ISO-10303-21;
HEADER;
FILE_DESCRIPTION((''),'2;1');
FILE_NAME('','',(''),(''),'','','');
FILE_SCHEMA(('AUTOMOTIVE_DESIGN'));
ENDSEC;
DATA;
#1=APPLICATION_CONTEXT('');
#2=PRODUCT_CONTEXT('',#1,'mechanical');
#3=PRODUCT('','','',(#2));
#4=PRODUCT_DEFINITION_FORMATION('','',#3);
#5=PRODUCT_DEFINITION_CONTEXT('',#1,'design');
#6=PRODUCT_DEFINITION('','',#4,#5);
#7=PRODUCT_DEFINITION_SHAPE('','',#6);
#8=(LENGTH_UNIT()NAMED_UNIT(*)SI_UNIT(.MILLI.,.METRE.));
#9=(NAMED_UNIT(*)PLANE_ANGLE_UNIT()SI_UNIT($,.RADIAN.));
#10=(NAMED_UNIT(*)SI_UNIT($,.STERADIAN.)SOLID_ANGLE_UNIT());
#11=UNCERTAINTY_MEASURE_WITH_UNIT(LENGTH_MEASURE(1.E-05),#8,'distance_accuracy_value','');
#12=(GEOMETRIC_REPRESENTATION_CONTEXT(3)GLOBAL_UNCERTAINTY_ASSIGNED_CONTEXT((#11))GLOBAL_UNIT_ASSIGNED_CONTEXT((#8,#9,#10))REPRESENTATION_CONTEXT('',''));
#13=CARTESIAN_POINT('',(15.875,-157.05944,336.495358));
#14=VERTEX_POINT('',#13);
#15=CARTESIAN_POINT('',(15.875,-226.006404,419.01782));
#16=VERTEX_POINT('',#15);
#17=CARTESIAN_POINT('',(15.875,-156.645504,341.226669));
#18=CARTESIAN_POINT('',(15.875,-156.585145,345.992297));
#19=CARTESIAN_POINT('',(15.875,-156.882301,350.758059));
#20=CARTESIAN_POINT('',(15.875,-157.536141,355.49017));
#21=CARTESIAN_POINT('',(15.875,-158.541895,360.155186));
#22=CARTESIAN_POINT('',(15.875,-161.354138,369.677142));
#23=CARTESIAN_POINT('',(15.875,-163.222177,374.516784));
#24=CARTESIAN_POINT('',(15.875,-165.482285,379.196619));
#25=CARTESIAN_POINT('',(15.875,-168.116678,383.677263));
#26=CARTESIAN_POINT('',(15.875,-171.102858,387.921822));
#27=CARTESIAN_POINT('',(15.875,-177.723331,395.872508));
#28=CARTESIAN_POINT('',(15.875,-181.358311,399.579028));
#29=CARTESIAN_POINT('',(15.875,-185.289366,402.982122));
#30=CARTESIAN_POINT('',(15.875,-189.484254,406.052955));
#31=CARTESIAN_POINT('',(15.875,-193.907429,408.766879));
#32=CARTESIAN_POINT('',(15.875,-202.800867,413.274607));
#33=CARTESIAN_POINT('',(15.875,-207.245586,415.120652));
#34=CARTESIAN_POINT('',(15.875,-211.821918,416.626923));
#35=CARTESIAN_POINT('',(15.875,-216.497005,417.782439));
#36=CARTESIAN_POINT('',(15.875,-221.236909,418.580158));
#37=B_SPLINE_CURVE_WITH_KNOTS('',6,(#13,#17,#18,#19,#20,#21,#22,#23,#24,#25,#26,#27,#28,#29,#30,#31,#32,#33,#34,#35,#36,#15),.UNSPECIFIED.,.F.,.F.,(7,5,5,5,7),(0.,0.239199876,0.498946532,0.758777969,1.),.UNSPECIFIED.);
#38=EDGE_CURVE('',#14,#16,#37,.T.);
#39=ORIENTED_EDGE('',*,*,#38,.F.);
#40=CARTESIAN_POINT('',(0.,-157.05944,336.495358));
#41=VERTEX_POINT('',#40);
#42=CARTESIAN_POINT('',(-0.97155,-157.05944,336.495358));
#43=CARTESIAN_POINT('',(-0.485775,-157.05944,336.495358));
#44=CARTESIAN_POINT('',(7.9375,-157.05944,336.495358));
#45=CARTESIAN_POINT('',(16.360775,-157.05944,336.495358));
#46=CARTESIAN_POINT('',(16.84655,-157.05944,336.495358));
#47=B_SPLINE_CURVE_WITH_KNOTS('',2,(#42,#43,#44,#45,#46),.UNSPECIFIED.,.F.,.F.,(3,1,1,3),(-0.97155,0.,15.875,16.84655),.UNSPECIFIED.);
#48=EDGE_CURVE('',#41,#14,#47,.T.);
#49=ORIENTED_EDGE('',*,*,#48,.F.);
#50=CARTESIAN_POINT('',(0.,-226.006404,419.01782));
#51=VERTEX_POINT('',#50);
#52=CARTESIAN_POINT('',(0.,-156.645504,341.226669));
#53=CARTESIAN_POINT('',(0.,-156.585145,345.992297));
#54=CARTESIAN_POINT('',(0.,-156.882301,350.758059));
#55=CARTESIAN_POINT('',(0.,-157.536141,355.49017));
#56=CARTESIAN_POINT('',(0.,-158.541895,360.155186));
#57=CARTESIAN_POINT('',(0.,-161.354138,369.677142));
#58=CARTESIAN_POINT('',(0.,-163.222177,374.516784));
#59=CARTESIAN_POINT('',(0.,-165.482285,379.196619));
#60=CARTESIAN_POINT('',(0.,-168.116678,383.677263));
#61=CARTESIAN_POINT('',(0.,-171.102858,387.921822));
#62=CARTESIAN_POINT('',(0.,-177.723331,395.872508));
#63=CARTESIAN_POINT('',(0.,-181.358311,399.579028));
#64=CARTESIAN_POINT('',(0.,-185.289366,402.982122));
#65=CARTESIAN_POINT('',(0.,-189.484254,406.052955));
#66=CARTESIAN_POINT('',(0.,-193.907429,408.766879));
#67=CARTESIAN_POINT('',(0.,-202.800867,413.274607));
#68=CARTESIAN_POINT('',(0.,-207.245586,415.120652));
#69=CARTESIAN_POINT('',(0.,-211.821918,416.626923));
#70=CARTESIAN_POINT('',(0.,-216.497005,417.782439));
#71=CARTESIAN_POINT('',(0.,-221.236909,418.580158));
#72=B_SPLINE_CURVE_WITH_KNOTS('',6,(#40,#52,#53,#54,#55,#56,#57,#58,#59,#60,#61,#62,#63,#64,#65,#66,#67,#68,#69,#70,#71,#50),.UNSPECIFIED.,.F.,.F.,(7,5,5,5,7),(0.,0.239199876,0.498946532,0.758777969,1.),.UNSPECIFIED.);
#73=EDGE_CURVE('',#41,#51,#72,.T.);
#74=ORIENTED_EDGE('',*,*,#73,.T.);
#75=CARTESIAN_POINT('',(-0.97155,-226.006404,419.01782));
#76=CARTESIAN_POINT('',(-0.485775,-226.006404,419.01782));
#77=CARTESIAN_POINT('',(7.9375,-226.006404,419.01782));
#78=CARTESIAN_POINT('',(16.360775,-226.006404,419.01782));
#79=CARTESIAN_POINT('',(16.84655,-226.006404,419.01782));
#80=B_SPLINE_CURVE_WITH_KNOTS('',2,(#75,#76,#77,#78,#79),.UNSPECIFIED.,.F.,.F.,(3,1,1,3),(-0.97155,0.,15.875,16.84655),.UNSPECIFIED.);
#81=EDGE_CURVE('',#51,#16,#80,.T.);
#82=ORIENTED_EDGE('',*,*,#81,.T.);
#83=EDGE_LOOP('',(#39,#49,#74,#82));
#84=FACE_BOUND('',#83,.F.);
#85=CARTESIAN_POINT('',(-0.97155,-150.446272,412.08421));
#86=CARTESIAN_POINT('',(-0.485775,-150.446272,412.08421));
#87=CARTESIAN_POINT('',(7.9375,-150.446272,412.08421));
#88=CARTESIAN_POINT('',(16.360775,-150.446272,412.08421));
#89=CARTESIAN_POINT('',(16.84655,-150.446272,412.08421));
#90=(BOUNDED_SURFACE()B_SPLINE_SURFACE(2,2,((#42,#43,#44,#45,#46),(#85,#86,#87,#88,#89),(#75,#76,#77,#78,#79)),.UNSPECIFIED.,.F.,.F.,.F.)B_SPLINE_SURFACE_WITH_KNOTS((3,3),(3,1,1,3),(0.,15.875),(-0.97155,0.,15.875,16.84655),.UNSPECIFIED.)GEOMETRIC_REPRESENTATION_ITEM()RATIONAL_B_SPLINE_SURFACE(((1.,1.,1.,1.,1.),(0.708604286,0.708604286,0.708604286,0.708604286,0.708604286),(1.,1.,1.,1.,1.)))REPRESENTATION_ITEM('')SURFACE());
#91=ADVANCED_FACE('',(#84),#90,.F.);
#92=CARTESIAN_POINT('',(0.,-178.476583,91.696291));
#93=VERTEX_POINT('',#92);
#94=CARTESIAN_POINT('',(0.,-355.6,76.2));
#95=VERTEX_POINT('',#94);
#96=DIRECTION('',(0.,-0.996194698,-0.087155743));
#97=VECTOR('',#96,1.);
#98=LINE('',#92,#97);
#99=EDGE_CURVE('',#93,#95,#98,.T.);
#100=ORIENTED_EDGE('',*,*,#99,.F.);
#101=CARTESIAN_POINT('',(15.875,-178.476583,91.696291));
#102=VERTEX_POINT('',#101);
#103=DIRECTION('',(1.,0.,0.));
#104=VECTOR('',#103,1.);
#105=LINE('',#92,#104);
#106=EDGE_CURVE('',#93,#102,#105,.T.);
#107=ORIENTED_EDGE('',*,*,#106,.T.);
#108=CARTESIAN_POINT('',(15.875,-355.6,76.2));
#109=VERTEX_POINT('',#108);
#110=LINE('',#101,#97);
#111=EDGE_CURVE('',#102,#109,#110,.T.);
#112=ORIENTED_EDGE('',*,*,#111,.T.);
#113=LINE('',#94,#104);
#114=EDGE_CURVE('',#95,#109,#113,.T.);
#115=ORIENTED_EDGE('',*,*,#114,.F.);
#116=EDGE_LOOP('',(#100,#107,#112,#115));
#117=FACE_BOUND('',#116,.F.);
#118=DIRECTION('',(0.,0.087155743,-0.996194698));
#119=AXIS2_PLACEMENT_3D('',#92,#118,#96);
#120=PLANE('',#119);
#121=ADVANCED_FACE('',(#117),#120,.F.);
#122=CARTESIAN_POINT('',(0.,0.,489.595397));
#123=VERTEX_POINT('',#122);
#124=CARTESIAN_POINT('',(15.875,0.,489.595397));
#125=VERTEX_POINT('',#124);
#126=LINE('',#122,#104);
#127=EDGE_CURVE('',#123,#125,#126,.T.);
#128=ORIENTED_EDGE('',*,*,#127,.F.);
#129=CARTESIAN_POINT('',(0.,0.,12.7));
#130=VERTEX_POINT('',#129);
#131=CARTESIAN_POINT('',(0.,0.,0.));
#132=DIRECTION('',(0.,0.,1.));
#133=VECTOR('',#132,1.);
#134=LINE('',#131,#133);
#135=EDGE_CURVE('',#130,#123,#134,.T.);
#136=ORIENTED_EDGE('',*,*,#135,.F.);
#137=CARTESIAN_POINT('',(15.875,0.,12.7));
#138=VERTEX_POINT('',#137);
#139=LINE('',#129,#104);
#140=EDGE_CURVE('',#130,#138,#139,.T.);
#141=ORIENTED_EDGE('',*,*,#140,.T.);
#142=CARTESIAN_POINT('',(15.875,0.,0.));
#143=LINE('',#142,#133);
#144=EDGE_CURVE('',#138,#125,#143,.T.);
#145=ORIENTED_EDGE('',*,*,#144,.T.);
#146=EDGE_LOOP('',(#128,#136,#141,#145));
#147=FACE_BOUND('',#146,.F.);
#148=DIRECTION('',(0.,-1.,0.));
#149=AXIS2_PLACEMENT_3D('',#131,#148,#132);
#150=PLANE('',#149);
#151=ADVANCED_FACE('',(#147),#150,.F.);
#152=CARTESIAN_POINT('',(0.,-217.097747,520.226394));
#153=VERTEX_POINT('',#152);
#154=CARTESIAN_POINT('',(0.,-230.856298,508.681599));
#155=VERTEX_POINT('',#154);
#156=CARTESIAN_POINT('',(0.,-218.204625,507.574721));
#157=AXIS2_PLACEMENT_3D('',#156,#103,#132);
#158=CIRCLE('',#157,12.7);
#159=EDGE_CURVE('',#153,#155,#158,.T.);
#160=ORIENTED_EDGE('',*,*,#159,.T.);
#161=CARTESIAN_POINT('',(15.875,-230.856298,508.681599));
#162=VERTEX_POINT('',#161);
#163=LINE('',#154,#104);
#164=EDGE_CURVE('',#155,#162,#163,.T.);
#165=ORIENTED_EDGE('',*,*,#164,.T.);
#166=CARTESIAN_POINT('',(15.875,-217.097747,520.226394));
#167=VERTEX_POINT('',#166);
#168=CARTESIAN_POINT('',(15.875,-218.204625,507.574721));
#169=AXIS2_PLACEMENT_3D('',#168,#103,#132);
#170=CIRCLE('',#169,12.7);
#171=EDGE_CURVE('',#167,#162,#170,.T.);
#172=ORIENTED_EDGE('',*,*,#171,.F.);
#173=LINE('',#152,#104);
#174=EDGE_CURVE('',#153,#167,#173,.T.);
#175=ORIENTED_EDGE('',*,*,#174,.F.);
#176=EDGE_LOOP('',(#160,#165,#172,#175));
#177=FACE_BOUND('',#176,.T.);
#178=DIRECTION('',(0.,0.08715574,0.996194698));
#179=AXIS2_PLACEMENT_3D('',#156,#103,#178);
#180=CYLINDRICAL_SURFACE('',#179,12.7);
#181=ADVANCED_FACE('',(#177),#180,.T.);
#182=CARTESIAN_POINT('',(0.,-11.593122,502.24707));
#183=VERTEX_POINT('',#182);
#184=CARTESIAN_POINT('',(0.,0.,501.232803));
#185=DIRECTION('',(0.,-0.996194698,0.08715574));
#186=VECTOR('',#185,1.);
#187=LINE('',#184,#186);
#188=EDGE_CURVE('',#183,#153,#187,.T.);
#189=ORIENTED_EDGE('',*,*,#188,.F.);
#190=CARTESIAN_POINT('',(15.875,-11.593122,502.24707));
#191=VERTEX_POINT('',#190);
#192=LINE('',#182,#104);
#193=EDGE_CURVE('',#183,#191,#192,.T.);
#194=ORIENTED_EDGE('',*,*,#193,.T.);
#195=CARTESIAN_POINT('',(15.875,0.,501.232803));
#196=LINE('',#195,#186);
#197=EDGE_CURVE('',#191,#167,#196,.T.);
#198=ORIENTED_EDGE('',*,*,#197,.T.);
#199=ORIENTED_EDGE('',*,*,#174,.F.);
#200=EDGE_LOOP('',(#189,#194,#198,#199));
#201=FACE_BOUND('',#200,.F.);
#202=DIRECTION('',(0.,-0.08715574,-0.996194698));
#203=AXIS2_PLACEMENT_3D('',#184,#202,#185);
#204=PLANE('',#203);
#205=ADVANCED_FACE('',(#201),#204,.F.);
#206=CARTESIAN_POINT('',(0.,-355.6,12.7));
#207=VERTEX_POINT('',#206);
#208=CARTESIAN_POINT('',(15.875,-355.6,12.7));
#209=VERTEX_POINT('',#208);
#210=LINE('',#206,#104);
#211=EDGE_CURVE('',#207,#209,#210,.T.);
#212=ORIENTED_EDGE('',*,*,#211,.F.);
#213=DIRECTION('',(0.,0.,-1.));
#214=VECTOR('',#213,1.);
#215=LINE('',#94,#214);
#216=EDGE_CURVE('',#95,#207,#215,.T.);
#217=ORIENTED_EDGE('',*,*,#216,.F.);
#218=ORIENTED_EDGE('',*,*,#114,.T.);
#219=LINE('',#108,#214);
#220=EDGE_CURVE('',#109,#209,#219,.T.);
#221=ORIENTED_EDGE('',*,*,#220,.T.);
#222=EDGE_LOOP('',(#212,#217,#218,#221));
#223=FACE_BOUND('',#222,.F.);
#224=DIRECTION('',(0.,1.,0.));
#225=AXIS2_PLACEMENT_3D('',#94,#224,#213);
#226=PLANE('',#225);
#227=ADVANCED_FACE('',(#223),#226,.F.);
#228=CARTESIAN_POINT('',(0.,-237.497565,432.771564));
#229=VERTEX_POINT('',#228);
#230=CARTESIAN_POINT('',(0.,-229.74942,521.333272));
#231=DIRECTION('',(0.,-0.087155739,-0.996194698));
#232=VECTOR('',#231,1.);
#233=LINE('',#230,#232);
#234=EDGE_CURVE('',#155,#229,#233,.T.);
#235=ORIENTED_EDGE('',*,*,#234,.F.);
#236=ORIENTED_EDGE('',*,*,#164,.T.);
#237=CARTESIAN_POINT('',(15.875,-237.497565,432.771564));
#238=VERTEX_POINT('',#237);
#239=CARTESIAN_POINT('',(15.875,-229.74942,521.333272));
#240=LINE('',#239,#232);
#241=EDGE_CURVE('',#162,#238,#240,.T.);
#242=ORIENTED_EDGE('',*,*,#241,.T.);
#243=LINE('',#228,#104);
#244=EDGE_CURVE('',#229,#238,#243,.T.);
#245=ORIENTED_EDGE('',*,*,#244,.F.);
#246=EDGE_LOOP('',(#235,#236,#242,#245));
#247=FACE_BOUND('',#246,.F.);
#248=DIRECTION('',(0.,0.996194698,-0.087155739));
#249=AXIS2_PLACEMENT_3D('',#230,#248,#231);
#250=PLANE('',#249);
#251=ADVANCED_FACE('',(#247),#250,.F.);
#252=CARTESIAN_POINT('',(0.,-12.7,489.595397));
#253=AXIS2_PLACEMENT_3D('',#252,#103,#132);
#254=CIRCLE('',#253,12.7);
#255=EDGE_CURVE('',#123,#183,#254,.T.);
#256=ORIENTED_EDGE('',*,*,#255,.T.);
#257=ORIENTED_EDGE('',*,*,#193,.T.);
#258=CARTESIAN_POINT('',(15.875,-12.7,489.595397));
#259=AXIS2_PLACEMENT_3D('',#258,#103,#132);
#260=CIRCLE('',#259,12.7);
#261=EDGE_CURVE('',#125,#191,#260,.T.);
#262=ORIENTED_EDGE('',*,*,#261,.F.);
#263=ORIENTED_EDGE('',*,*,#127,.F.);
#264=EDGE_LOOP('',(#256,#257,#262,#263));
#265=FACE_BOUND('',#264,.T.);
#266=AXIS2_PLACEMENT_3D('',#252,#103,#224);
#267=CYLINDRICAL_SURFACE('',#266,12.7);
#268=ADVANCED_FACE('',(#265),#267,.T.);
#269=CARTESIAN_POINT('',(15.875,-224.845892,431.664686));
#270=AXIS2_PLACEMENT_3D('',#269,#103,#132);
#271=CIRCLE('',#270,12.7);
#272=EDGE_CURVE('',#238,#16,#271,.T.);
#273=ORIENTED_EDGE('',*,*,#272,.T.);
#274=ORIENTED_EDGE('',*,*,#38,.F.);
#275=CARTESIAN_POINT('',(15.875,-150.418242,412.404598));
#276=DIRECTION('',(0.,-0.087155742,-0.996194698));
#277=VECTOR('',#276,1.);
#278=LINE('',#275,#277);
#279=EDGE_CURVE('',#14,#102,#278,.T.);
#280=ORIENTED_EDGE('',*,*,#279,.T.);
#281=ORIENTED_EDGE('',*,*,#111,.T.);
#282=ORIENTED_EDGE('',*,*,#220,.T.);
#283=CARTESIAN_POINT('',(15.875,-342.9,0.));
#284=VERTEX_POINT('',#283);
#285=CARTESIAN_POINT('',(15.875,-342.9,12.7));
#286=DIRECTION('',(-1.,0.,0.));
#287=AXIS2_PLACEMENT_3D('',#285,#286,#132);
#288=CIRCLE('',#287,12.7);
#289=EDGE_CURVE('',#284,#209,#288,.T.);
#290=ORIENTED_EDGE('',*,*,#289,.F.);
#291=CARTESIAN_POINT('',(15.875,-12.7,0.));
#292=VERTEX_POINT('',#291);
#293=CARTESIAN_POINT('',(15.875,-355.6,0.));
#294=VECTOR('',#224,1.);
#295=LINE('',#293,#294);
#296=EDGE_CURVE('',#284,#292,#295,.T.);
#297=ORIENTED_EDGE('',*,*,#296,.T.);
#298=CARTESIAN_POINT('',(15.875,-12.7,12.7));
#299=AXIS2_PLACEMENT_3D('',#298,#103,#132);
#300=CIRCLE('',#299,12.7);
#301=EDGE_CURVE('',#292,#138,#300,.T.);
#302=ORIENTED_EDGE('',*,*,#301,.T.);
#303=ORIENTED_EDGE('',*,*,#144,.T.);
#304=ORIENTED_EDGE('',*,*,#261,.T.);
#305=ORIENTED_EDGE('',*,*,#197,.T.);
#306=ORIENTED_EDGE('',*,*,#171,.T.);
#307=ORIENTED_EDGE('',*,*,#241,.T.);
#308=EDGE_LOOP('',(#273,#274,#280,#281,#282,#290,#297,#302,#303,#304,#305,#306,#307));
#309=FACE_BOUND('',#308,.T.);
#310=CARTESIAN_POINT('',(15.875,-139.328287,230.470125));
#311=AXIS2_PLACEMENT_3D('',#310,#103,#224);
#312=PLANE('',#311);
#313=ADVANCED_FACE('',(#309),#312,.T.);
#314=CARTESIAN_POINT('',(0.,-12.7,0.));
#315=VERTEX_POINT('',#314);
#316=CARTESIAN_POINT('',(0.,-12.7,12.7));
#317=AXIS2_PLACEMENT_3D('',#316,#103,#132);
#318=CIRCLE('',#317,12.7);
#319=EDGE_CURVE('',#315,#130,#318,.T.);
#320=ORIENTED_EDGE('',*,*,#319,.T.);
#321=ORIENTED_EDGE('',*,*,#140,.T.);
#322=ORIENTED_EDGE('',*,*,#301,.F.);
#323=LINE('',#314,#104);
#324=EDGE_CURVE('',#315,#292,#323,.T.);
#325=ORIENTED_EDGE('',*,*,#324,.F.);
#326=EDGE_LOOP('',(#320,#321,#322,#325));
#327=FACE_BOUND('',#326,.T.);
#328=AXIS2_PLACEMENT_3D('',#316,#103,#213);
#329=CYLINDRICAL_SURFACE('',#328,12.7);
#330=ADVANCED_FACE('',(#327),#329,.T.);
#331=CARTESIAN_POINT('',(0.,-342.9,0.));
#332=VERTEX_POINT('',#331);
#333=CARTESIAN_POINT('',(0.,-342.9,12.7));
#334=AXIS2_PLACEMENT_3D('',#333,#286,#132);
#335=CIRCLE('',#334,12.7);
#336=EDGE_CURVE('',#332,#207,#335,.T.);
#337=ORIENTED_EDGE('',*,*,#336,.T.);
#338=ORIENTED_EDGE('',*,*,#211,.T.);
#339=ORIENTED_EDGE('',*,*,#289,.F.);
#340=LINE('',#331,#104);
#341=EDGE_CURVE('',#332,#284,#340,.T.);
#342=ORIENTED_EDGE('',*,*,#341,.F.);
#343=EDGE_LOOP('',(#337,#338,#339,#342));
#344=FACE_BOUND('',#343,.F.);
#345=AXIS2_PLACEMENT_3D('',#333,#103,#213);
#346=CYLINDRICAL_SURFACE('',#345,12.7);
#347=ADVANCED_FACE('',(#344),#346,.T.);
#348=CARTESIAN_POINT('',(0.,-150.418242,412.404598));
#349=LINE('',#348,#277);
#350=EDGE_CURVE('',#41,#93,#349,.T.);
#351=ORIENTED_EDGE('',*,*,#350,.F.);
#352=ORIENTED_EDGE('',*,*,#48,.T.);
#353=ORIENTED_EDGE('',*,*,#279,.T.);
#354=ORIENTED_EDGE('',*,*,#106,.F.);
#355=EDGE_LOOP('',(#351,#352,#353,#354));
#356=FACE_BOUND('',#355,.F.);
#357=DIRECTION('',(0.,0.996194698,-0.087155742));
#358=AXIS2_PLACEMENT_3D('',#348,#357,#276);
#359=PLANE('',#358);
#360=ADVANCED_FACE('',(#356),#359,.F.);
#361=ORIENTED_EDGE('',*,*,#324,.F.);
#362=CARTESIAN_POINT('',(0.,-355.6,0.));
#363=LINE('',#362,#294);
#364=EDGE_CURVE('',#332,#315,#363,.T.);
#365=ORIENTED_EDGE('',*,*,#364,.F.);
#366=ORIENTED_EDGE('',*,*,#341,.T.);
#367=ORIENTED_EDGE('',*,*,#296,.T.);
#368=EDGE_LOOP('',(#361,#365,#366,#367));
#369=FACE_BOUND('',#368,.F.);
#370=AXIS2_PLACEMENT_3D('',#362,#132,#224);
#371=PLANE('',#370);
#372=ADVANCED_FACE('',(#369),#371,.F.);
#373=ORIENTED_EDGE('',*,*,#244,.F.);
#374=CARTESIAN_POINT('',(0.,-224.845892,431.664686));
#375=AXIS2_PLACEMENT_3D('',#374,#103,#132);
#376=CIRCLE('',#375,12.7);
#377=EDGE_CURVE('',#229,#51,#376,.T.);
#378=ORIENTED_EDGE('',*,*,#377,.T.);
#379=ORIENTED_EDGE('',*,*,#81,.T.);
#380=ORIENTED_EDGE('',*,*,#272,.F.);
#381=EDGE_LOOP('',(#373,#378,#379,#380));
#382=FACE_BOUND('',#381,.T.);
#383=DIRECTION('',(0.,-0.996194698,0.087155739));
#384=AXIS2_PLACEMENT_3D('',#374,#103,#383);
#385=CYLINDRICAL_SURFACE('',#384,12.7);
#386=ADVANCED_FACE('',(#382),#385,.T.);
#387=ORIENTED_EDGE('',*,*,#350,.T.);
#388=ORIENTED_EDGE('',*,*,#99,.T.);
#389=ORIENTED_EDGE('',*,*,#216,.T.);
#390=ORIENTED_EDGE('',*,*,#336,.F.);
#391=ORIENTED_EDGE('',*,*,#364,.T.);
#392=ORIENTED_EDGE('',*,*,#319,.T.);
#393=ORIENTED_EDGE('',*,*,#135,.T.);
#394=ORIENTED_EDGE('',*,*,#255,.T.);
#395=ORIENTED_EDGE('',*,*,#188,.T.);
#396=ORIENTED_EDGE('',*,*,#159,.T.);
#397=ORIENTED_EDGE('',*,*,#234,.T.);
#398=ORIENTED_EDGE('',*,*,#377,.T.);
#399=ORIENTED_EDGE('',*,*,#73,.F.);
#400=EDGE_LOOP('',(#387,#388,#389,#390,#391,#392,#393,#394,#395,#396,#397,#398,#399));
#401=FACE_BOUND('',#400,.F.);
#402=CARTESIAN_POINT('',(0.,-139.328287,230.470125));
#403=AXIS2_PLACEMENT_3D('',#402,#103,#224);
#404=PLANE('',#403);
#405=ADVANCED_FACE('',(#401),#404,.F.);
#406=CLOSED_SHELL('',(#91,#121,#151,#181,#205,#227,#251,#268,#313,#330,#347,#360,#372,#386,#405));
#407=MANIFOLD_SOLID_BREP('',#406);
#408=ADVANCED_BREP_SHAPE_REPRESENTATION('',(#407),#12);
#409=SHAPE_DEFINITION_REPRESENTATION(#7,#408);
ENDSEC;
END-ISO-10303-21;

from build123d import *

# Parameters (mm, degrees)
F1_DEPTH = 15.875
F2_R     = 12.7
F3_R     = 76.2


with BuildPart() as f1:
    # F0 (on Right) → F1 (new body)
    with BuildSketch(Plane.YZ):
        Polygon((-355.6, 0), (0, 0), (0, 501.232803), (-229.74942, 521.333272), (-238.604443, 420.119891), (-150.418242, 412.404598), (-178.476583, 91.696291), (-355.6, 76.2), align=None)
    extrude(amount=F1_DEPTH)

    # F2
    f2_edges = [f1.edges().sort_by_distance(p)[0] for p in [
        (7.9375, -355.6, 0),
        (7.9375, 0, 0),
        (7.9375, 0, 501.232803),
        (7.9375, -238.604443, 420.119891),
        (7.9375, -229.74942, 521.333272),
    ]]
    fillet(f2_edges, radius=F2_R)

    # F3
    f3_edges = [f1.edges().sort_by_distance(p)[0] for p in [
        (7.9375, -150.418242, 412.404598),
    ]]
    fillet(f3_edges, radius=F3_R)


solid = f1.part
